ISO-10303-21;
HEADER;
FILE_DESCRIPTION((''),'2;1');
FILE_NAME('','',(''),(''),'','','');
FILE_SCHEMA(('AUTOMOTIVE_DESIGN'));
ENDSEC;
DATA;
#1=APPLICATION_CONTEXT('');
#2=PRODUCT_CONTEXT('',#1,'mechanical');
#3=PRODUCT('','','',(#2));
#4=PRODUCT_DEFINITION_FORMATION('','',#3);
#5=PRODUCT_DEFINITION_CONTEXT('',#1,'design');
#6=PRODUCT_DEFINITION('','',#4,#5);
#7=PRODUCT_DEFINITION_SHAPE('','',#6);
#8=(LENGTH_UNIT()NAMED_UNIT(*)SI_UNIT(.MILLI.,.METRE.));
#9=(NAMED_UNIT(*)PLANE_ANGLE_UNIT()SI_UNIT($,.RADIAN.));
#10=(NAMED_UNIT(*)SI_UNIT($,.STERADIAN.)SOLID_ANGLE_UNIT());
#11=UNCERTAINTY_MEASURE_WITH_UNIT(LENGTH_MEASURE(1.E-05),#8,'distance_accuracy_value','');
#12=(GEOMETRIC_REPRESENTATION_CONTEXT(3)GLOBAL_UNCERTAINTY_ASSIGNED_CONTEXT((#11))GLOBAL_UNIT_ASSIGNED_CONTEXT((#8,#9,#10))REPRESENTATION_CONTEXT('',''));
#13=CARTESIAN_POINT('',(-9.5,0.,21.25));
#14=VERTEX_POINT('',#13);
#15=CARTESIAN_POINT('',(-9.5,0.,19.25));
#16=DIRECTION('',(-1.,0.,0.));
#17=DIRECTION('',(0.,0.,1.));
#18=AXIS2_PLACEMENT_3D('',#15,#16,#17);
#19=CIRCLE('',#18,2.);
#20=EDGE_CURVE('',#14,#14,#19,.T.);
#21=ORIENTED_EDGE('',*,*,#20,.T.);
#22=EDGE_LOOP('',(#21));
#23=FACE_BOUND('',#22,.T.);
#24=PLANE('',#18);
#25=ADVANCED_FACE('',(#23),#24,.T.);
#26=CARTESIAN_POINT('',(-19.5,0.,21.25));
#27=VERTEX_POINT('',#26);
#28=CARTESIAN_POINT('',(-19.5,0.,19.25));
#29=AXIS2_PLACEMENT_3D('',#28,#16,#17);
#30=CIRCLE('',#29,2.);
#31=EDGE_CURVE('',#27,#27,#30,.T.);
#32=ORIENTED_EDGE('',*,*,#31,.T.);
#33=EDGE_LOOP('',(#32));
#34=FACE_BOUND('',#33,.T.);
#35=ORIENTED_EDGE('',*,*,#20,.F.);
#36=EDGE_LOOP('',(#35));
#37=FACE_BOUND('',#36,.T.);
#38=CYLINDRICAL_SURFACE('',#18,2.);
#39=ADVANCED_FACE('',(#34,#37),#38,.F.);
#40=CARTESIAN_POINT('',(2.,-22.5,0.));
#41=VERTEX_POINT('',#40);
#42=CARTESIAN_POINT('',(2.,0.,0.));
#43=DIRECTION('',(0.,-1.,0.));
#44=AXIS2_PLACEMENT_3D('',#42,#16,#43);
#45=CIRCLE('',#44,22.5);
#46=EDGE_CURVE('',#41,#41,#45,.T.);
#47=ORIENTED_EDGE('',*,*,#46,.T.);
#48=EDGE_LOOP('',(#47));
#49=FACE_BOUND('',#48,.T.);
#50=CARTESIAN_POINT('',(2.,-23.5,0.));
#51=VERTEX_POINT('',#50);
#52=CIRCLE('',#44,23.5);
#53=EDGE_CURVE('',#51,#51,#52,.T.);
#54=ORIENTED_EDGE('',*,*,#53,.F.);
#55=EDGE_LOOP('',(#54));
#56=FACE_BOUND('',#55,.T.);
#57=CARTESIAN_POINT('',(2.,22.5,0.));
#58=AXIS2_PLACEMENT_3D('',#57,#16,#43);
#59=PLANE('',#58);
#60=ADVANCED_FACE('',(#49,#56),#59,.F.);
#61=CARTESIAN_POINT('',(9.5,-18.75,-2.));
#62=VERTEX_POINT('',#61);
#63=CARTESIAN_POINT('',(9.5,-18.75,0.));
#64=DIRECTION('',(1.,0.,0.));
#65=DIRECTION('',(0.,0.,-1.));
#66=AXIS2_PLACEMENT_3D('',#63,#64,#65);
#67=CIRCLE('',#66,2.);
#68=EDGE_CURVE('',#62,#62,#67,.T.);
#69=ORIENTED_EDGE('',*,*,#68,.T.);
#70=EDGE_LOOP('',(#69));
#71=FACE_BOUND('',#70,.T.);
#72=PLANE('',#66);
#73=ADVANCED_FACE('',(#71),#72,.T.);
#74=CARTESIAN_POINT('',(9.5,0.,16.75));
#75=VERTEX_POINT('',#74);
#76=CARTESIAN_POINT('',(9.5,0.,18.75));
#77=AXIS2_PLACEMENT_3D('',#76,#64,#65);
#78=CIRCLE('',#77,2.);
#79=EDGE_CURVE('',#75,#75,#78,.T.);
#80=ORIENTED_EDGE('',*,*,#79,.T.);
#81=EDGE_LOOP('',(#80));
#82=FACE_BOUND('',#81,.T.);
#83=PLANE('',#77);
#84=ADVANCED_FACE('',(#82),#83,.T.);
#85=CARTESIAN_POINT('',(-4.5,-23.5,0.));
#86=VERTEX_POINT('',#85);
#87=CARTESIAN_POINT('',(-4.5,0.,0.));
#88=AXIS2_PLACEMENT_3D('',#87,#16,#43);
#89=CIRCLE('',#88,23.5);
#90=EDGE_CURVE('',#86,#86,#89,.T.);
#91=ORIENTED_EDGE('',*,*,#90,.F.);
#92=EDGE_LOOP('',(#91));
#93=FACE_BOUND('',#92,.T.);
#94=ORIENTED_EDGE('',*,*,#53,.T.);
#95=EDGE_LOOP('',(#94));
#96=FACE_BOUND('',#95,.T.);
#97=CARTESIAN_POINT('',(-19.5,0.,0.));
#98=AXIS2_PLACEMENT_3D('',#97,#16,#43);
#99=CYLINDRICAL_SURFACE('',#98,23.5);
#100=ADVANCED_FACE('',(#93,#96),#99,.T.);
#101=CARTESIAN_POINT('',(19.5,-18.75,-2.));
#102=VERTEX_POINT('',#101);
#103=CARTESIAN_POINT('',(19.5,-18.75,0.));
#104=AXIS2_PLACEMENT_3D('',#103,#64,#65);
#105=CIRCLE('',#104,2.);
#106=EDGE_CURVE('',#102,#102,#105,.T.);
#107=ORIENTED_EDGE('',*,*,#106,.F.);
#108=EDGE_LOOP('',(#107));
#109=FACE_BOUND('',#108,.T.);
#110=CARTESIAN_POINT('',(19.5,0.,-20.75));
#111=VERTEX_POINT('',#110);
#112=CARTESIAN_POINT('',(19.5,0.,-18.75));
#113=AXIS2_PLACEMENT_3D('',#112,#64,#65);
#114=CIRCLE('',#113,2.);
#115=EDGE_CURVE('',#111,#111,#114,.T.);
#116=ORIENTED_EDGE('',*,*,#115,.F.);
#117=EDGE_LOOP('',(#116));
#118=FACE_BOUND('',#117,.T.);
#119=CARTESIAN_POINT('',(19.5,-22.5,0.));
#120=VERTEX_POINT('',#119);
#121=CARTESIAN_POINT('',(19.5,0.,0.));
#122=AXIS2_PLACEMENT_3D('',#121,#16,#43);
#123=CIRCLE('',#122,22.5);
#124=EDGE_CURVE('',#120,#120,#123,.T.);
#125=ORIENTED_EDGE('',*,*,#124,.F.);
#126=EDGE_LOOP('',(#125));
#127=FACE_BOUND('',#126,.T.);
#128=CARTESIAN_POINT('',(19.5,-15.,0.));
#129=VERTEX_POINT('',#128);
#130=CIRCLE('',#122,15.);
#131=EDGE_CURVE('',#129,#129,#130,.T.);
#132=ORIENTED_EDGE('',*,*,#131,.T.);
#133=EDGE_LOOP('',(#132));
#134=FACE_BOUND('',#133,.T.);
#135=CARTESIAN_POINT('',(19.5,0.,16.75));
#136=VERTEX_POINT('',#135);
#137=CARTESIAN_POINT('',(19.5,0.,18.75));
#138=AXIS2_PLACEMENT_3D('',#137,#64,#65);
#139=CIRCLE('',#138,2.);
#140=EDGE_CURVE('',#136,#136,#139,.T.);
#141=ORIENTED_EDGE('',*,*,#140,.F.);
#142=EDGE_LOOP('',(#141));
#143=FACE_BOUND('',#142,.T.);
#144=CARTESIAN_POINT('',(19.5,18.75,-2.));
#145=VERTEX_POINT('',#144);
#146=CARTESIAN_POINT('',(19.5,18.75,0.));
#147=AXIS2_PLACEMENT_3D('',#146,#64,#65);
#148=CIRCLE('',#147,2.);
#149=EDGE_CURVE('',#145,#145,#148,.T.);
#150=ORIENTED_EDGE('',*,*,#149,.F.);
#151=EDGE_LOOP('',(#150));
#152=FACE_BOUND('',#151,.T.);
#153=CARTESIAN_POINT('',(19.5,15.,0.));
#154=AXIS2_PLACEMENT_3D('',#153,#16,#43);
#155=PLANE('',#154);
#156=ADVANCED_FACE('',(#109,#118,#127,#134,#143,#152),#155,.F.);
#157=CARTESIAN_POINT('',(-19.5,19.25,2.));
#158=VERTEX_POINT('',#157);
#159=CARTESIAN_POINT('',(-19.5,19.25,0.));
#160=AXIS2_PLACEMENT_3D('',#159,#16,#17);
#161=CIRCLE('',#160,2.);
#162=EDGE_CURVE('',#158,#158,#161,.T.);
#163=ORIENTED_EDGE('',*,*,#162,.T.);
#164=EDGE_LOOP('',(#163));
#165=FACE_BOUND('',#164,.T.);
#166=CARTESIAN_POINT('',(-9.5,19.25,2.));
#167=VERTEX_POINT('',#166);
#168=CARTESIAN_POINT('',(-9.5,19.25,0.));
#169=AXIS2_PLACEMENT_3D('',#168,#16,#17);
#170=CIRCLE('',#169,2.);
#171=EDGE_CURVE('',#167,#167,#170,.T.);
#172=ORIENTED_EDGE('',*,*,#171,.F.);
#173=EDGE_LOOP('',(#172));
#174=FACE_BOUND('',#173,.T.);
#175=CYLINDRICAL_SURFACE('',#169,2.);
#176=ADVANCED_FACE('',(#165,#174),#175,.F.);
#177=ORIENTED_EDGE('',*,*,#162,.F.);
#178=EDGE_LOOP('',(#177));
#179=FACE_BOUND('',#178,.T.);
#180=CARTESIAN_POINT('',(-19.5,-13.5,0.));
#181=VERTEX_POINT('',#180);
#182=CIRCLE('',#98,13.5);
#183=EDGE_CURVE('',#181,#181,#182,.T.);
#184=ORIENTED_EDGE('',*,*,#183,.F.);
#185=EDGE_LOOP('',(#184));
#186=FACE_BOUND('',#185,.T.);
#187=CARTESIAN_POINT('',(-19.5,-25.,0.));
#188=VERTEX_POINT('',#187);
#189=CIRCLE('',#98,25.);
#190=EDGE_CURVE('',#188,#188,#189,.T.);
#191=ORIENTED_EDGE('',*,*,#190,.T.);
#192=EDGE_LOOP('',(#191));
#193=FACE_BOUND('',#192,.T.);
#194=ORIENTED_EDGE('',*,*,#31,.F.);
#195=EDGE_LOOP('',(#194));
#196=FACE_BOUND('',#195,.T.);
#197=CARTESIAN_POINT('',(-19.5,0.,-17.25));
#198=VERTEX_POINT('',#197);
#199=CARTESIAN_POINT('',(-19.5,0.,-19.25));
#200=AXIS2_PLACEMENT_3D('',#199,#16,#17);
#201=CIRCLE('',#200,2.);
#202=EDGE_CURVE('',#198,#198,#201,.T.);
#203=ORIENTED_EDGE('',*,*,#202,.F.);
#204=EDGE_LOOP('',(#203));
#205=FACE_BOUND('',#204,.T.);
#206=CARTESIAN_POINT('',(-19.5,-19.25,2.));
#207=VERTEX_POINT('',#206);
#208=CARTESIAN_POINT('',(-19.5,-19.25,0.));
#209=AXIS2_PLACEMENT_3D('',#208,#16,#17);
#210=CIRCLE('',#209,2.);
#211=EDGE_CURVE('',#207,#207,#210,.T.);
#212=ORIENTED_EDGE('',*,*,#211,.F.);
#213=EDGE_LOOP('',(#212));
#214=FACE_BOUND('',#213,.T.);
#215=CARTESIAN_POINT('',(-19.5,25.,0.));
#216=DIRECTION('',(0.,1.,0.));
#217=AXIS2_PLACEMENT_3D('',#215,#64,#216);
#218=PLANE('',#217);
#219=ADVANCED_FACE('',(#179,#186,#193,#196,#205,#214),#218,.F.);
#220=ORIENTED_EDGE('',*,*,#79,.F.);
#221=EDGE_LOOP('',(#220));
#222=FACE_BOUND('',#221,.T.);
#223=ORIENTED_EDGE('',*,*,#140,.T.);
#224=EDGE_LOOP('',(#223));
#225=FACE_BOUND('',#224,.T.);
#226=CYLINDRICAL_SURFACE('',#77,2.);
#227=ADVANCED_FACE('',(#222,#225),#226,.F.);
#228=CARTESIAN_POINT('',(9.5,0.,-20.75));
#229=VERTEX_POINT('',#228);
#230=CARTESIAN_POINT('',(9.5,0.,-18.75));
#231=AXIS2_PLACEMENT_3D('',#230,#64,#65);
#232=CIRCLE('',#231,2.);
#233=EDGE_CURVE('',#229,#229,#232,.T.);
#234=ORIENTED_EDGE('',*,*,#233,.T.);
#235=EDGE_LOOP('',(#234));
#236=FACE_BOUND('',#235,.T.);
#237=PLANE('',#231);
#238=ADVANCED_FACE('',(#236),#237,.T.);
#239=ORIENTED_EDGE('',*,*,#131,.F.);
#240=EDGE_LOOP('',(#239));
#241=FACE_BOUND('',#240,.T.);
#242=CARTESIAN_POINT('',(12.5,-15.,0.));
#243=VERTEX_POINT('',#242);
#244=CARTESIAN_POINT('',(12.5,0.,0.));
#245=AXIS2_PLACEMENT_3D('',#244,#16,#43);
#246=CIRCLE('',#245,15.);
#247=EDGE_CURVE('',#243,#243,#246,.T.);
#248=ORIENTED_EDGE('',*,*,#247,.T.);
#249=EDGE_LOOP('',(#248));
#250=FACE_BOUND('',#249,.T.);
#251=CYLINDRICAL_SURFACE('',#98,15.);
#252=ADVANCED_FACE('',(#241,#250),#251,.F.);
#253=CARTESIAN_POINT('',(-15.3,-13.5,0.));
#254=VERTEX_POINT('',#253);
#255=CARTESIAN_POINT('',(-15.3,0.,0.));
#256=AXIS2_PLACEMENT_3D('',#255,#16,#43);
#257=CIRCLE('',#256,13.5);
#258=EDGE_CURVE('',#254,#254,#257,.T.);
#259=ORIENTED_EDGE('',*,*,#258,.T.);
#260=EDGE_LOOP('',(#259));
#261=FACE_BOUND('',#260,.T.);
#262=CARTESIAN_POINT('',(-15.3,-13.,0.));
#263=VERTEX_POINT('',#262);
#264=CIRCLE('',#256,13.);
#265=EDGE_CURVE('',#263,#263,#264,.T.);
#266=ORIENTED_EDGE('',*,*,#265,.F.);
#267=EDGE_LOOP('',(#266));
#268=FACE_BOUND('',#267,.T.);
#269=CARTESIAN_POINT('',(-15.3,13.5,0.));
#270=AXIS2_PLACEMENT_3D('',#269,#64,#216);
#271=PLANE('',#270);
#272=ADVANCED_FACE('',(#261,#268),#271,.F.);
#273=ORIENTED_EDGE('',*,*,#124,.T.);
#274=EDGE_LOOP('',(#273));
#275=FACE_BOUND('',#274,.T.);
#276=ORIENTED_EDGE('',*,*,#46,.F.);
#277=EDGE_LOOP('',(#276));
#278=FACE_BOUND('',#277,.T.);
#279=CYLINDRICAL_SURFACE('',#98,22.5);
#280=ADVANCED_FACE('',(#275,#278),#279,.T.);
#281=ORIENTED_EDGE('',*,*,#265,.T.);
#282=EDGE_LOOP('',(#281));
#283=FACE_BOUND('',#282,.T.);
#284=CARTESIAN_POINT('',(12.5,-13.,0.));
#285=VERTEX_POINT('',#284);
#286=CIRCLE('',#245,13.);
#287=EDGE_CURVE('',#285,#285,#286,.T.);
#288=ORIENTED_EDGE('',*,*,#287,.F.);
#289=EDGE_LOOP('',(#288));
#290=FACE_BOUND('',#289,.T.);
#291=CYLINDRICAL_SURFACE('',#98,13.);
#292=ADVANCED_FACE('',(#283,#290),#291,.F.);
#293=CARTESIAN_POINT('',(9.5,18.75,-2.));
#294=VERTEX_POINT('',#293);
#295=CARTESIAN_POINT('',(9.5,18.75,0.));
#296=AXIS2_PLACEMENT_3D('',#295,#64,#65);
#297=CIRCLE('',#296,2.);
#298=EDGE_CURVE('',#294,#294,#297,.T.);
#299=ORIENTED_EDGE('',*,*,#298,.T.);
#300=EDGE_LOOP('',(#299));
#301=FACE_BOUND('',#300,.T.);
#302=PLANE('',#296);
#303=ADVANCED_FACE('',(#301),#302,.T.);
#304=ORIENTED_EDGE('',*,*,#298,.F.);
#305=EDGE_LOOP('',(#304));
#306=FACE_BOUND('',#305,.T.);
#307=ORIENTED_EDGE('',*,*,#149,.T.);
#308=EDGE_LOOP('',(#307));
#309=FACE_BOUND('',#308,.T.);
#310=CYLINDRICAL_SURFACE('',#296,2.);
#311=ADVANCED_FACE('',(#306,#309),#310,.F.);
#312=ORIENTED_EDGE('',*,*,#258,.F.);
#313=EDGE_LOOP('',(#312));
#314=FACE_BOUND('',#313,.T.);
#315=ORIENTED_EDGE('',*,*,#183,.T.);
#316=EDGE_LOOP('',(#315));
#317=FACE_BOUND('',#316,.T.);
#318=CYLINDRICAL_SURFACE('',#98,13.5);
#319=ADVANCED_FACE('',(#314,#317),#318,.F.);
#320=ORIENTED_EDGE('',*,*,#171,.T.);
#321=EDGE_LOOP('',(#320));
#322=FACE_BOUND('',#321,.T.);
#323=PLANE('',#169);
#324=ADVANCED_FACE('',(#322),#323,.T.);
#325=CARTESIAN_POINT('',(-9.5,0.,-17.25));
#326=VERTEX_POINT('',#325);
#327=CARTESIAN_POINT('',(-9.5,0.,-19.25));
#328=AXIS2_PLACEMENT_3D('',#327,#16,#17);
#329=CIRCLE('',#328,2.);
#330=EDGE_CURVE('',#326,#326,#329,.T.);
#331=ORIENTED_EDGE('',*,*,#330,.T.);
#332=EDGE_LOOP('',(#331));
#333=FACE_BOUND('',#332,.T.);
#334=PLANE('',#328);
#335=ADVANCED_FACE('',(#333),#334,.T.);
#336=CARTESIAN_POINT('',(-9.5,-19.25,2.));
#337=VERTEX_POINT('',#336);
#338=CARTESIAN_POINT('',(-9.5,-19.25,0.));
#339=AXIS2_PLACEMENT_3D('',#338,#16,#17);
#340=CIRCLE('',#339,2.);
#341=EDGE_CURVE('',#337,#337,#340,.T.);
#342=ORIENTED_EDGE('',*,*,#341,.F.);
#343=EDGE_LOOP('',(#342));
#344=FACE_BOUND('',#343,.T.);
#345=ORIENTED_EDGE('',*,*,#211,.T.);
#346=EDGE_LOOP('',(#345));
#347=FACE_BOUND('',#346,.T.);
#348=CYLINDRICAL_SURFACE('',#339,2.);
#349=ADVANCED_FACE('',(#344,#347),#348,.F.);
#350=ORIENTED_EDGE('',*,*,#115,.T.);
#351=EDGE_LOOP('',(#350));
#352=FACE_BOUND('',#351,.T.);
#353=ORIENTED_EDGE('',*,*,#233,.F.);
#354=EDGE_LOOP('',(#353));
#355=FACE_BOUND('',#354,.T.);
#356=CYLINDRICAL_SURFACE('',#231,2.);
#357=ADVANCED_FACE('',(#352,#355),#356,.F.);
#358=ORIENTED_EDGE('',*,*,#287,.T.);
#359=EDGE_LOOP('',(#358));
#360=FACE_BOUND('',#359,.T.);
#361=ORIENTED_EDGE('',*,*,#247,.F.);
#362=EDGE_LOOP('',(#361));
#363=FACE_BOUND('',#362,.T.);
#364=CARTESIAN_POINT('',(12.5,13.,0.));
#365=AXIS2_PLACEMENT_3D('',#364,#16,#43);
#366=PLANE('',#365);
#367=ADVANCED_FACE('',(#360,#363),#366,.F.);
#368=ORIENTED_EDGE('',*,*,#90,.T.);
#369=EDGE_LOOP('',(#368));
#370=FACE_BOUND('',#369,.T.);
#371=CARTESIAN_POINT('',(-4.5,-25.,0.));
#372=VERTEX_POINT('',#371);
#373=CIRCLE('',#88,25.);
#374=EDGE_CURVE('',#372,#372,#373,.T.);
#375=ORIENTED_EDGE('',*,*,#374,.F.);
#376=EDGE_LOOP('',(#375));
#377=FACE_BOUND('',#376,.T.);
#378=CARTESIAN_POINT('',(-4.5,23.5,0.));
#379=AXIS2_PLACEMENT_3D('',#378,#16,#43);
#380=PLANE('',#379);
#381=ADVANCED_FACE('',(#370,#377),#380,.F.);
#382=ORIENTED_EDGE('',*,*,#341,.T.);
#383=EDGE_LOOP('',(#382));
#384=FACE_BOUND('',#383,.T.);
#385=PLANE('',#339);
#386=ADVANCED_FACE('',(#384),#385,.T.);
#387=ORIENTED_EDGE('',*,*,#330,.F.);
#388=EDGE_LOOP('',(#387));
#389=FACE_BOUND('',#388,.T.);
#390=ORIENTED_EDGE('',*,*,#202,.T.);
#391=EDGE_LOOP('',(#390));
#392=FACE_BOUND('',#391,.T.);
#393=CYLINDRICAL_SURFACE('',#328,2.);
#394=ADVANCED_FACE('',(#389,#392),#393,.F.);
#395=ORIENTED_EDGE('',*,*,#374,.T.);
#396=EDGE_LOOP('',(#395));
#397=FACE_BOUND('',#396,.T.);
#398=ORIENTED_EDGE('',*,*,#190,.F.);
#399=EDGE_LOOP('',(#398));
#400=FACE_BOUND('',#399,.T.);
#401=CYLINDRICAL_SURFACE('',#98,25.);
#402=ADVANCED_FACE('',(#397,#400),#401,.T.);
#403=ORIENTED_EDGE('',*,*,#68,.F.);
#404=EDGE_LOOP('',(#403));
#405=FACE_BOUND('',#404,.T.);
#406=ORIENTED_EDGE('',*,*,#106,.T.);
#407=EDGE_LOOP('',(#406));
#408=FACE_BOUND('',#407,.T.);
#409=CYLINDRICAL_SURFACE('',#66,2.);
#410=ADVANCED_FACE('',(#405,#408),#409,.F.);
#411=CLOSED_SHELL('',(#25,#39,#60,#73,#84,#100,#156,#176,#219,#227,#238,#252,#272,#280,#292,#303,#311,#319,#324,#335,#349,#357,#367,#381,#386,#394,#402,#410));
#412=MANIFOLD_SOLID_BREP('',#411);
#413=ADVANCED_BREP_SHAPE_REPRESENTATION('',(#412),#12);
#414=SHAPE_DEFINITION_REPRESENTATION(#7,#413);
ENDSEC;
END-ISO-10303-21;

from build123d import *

# Parameters (mm, degrees)
SKETCH2_R          = 2
CUT_EXTRUDE1_DEPTH = 10
SKETCH3_R          = 2
CUT_EXTRUDE2_DEPTH = 10


with BuildPart() as part:
    # Sketch1 → Revolve1 (revolve)
    with BuildSketch(Plane.XY, mode=Mode.PRIVATE) as revolve1_sk:
        Polygon((-19.5, 13.5), (-15.3, 13.5), (-15.3, 13), (12.5, 13), (12.5, 15), (19.5, 15), (19.5, 22.5), (2, 22.5), (2, 23.5), (-4.5, 23.5), (-4.5, 25), (-19.5, 25), align=None)
    revolve(revolve1_sk.sketch.rotate(Axis((-19.5, 0, 0), (1, 0, 0)), 180), axis=Axis((-19.5, 0, 0), (1, 0, 0)))

    # Sketch2 → Cut-Extrude1 (cut)
    with BuildSketch(Plane(origin=(19.5, 0, 0), x_dir=(0, 0, -1), z_dir=(1, 0, 0))):
        with Locations((0, 18.75)):
            Circle(SKETCH2_R)
        with Locations((18.75, 0)):
            Circle(SKETCH2_R)
        with Locations((0, -18.75)):
            Circle(SKETCH2_R)
        with Locations((-18.75, 0)):
            Circle(SKETCH2_R)
    extrude(amount=-CUT_EXTRUDE1_DEPTH, mode=Mode.SUBTRACT)

    # Sketch3 → Cut-Extrude2 (cut)
    with BuildSketch(Plane.ZY.offset(19.5)):
        with Locations((0, 19.25)):
            Circle(SKETCH3_R)
        with Locations((19.25, 0)):
            Circle(SKETCH3_R)
        with Locations((0, -19.25)):
            Circle(SKETCH3_R)
        with Locations((-19.25, 0)):
            Circle(SKETCH3_R)
    extrude(amount=-CUT_EXTRUDE2_DEPTH, mode=Mode.SUBTRACT)


solid = part.part
